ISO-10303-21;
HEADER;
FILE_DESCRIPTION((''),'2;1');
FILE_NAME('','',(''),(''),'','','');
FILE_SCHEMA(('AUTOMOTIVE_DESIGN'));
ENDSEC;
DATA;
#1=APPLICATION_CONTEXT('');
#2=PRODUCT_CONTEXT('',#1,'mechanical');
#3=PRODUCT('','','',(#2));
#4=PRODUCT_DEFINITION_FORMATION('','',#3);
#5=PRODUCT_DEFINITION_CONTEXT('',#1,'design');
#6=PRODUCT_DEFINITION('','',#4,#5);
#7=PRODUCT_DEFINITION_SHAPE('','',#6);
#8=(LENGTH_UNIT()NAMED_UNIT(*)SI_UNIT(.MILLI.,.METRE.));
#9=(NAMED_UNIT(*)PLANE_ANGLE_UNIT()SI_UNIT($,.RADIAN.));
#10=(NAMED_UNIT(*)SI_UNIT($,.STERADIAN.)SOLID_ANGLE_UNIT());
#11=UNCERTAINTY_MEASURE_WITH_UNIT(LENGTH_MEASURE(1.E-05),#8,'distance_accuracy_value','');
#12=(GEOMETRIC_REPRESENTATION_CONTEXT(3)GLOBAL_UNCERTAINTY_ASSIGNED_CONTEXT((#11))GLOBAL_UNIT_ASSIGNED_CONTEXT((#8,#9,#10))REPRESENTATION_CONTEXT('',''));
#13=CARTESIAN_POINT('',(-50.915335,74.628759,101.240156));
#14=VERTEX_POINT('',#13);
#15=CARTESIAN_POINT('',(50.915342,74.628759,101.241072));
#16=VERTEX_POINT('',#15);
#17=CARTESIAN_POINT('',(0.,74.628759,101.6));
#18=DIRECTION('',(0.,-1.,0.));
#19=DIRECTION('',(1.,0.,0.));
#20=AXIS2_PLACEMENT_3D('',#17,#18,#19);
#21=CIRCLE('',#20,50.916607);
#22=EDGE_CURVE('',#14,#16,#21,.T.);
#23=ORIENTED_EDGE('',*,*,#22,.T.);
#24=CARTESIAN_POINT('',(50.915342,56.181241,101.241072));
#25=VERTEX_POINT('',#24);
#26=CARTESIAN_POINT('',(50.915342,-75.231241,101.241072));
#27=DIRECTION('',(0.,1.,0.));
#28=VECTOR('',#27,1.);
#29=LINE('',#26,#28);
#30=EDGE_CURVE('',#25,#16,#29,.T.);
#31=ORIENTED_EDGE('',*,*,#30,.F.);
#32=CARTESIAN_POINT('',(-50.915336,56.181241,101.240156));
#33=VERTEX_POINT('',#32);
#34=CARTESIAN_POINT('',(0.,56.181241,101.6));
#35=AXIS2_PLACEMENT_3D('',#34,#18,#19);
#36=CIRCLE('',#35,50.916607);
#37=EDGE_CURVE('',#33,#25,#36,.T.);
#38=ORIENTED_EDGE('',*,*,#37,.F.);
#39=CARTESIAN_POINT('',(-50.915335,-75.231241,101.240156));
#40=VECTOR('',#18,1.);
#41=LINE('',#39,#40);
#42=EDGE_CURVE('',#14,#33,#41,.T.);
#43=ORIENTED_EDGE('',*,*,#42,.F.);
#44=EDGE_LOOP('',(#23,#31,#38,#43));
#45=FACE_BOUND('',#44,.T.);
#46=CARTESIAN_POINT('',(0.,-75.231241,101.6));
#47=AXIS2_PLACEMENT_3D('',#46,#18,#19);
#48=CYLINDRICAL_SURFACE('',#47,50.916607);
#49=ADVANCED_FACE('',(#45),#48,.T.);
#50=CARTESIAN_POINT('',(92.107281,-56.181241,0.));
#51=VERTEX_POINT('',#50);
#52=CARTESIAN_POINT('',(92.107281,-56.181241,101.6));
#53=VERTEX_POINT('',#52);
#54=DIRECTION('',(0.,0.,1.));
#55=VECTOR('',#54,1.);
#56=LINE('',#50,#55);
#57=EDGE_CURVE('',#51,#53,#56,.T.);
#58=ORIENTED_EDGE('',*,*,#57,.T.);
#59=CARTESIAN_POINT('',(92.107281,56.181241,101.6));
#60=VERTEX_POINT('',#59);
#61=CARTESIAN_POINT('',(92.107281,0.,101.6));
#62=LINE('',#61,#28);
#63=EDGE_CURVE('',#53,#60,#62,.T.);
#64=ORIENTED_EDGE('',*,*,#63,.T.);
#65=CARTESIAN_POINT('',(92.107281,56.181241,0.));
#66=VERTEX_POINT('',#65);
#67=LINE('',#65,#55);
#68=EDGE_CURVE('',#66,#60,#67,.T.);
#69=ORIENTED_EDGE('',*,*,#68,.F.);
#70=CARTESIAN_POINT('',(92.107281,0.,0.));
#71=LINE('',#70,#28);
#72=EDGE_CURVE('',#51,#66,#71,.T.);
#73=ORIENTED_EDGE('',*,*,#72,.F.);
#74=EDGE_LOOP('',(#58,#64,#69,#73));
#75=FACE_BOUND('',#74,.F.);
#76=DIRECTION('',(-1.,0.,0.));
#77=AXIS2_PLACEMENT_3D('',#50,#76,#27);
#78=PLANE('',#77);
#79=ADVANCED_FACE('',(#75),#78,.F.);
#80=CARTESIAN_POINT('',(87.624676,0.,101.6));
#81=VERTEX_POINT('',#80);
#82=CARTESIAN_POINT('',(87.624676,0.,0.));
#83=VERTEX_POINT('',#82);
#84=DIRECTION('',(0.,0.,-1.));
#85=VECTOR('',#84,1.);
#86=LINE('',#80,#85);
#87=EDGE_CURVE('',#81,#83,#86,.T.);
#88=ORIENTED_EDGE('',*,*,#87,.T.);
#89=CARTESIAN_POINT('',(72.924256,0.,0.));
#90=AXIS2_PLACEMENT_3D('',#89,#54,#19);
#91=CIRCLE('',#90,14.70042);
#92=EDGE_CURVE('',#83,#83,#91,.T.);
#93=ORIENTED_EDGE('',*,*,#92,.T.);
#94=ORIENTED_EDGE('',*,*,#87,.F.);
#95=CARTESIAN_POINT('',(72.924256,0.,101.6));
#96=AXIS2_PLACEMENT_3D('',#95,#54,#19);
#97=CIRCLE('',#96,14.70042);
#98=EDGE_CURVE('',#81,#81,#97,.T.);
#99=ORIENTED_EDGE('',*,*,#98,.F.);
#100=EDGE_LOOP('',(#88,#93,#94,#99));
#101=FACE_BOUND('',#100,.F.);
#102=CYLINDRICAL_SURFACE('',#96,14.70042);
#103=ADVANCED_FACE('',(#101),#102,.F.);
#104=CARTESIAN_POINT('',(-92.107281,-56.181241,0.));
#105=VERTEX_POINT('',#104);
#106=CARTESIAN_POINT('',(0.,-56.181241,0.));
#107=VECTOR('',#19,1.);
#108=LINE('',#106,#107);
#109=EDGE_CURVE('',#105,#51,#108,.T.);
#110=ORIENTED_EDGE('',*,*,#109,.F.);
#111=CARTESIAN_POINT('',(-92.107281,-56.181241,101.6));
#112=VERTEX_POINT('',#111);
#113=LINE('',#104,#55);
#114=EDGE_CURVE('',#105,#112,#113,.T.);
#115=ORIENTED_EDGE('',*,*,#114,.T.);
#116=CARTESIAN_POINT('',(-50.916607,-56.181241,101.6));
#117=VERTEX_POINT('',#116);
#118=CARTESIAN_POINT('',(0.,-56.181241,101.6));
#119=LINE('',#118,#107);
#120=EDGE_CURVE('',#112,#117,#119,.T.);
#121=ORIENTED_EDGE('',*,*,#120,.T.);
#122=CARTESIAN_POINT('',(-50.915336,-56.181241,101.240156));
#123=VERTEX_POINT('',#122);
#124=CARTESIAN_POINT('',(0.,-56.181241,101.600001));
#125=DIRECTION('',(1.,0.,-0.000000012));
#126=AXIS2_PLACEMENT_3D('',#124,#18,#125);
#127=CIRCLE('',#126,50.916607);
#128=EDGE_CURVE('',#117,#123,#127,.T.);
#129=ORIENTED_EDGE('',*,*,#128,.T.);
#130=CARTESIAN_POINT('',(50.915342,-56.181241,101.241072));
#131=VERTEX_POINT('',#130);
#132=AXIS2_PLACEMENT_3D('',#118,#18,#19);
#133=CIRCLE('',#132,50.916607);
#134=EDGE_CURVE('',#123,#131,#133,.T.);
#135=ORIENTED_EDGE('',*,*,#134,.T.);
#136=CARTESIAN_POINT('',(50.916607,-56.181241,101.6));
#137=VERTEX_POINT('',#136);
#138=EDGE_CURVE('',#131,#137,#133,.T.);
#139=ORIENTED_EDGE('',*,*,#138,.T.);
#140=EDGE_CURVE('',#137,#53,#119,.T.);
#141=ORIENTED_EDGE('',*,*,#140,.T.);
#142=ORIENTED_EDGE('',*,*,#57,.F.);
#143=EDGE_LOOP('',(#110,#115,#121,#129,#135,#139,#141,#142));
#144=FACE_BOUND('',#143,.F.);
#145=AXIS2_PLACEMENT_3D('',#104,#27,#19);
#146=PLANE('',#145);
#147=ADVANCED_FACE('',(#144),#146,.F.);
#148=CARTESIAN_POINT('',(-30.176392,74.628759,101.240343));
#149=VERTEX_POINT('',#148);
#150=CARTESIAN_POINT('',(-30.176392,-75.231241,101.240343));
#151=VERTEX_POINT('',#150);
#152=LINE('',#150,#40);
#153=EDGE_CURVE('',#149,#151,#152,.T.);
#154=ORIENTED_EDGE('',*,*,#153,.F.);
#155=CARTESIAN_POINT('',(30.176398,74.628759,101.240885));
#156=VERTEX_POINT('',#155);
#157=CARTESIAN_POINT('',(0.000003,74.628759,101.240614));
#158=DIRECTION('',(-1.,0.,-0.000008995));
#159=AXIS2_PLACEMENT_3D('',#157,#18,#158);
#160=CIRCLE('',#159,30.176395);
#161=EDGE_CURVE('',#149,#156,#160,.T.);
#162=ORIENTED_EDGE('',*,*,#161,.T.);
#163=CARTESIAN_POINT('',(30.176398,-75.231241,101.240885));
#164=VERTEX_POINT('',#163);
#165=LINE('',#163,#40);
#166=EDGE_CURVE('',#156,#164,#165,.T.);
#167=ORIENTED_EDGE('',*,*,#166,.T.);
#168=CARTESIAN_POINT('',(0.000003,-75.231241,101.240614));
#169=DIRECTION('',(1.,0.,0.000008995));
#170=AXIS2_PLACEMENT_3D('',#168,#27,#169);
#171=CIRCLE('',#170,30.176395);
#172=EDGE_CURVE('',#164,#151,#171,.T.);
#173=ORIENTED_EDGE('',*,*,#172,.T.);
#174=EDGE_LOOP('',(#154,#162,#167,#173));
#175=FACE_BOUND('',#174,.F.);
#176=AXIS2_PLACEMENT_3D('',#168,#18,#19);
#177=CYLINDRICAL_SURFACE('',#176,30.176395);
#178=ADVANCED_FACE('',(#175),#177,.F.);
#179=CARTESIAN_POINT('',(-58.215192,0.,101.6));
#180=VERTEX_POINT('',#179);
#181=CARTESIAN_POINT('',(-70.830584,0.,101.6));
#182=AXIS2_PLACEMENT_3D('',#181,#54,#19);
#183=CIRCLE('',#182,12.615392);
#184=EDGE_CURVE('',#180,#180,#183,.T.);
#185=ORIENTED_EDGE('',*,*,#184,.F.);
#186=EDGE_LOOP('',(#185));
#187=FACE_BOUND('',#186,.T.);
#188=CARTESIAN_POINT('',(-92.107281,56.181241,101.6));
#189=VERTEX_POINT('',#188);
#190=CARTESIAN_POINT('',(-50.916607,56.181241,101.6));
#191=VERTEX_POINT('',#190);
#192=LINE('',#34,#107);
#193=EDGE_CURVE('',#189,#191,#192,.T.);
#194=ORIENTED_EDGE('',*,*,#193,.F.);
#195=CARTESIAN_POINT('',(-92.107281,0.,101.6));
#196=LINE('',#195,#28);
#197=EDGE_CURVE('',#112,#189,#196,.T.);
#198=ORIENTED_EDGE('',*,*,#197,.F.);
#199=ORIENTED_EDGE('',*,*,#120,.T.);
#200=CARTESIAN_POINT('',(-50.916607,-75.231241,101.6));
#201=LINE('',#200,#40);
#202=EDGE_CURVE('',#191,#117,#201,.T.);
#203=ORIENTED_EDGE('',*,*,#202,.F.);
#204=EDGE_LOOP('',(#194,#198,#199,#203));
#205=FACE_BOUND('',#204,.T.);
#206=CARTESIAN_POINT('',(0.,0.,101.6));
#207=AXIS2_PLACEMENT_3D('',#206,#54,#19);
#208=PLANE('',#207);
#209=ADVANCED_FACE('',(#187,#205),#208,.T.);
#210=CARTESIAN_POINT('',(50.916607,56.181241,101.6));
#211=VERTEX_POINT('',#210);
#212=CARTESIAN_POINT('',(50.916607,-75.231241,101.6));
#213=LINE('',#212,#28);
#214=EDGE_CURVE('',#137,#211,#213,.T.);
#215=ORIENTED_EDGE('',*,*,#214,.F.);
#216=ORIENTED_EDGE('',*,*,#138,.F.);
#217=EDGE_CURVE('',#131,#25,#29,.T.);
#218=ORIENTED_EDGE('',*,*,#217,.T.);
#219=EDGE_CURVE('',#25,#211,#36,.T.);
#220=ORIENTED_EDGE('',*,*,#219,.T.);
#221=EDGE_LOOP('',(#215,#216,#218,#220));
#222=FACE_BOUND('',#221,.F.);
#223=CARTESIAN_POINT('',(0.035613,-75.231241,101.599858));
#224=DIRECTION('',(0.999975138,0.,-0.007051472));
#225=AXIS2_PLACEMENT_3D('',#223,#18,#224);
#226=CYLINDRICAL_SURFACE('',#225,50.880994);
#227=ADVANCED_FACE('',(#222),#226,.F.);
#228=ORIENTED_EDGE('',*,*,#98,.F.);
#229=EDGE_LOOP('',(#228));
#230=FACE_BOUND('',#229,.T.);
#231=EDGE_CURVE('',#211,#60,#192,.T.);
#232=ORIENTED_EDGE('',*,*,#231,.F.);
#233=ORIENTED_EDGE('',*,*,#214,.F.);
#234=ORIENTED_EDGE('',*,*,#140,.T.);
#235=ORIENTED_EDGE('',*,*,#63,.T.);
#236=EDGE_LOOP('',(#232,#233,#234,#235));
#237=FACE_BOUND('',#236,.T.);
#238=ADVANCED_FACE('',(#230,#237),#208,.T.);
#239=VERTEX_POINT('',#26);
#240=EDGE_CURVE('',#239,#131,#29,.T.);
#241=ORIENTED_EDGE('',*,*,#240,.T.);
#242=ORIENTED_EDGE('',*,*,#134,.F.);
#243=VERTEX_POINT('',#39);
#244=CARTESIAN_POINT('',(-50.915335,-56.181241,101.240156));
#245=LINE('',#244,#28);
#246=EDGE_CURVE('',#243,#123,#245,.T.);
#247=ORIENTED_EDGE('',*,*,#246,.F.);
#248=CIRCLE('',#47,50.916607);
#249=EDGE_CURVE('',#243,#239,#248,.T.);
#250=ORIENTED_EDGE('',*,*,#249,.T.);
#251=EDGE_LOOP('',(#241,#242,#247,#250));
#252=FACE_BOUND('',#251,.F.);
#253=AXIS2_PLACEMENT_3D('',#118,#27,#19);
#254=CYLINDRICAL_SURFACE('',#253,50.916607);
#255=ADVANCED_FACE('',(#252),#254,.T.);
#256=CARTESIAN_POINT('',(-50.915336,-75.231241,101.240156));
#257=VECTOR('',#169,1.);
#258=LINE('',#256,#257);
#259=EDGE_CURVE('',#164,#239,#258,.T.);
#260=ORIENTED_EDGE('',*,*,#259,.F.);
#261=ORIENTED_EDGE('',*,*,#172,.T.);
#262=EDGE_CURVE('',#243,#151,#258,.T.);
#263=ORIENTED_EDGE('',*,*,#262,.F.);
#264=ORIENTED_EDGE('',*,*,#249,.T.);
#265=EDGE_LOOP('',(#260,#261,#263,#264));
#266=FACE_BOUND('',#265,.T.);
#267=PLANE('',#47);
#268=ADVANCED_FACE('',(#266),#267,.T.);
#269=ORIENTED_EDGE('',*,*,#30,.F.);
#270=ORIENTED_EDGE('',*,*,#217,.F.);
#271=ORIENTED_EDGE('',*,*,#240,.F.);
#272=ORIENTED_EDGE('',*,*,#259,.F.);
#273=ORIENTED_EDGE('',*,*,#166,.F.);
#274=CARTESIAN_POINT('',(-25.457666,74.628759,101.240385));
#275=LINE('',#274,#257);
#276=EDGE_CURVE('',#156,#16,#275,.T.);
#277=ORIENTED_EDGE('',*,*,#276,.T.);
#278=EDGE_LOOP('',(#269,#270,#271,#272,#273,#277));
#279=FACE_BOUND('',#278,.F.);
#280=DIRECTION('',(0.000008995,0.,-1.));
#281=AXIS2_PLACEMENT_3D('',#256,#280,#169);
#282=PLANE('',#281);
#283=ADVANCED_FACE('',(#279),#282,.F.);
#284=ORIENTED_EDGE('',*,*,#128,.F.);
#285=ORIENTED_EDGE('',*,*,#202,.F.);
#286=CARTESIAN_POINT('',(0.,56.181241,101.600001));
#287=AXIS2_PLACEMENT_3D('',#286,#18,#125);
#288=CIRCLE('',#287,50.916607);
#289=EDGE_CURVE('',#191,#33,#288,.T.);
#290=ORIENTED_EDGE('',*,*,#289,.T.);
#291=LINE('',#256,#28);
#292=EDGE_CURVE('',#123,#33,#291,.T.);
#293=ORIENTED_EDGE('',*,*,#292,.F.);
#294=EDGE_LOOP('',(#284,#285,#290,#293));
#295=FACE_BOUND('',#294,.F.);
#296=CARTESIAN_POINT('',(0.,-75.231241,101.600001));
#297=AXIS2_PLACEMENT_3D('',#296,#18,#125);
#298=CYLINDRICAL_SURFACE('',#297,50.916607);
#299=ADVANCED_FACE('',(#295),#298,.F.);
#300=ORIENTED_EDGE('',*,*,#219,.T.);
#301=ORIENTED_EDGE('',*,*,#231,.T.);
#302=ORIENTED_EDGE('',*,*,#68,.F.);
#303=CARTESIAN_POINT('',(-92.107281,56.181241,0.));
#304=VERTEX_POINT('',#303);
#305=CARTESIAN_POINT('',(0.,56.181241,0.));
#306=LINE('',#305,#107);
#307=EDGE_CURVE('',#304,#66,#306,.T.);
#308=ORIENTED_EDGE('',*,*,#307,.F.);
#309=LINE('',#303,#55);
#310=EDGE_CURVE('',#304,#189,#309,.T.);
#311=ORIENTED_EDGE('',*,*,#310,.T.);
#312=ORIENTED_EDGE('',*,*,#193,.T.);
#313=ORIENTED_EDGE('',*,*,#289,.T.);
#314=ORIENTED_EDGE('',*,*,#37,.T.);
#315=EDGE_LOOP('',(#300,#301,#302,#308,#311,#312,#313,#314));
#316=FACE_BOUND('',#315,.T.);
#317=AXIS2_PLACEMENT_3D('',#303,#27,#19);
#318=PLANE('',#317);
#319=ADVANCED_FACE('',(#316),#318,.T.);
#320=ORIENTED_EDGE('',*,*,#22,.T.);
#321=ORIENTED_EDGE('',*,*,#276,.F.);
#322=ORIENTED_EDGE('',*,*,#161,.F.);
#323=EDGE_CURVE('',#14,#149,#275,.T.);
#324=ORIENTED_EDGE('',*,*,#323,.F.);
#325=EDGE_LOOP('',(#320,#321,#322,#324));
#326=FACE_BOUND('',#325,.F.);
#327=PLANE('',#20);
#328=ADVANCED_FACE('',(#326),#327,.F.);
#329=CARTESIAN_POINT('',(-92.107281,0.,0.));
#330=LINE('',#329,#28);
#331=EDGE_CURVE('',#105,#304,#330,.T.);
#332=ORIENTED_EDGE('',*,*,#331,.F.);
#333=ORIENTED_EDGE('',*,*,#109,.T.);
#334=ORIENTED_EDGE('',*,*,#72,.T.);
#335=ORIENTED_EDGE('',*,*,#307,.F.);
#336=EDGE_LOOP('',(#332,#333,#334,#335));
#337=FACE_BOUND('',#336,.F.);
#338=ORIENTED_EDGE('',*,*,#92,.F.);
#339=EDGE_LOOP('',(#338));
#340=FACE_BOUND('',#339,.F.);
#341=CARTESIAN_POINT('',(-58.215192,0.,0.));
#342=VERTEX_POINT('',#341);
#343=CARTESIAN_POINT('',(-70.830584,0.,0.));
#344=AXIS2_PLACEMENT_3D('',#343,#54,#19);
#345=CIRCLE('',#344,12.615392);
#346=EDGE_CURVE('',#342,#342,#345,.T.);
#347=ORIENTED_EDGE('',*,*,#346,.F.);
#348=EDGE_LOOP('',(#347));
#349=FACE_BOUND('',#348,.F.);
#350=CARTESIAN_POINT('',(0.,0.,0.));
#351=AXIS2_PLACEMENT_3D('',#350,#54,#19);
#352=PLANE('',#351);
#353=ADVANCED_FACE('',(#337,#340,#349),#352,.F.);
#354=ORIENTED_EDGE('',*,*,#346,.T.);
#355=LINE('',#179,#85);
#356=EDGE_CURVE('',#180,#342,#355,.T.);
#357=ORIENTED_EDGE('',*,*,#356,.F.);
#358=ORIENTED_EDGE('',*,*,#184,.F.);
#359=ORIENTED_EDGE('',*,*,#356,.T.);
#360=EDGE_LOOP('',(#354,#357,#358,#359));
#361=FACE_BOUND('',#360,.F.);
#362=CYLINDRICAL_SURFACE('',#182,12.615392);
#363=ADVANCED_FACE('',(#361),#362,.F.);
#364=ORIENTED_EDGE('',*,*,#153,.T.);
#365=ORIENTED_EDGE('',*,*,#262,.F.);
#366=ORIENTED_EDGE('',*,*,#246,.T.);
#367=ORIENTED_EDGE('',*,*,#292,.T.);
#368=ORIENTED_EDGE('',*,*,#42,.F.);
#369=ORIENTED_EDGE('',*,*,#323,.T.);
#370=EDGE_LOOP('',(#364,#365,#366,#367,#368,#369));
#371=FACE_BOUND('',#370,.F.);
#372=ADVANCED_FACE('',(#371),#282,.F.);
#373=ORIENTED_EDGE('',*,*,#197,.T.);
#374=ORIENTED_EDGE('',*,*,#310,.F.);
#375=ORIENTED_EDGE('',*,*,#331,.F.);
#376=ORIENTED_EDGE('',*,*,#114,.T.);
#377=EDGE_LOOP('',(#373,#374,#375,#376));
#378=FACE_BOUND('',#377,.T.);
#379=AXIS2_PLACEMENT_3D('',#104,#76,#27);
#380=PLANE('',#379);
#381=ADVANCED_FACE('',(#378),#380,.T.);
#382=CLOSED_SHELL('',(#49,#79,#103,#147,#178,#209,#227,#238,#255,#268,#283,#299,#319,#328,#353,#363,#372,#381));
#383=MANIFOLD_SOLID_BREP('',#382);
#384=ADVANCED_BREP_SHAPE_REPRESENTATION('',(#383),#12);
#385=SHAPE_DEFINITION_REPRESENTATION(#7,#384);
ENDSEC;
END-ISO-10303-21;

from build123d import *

# Parameters (mm, degrees)
F0_W      = 184.214562
F0_H      = 112.362482
F1_DEPTH  = 101.6
F2_R      = 50.916607
F3_DEPTH  = 19.05
F3_FACE_R = 50.916607
F4_DEPTH  = 149.86
F6_DEPTH  = 330.2
F7_R      = 12.615392
F7_R_2    = 14.70042
F8_DEPTH  = 254
F9_R      = 30.176395
F10_DEPTH = 381


with BuildPart() as f1:
    # F0 (on Top) → F1 (new body)
    with BuildSketch(Plane.XY):
        Rectangle(F0_W, F0_H)
    extrude(amount=F1_DEPTH)

    # F2 (on face) → F3 (join)
    with BuildSketch(Plane.XZ.offset(56.181241)):
        with Locations((0, 101.6)):
            Circle(F2_R)
    extrude(amount=F3_DEPTH)

    # F3_face (on face) → F4 (join)
    with BuildSketch(Plane(origin=(0, -75.231241, 101.6), x_dir=(1, 0, 0), z_dir=(0, -1, 0))):
        Circle(F3_FACE_R)
    extrude(amount=-F4_DEPTH)

    # F5 (on face) → F6 (cut)
    with BuildSketch(Plane.XZ.offset(75.231241)):
        with BuildLine():
            Line((-50.915336, 101.240156), (50.915342, 101.241072))
            ThreePointArc((50.915342, 101.241072), (50.916291, 101.420535), (50.916607, 101.6))
            ThreePointArc((50.916607, 101.6), (-0.179923, 152.51629), (-50.915336, 101.240156))
        make_face()
    extrude(amount=-F6_DEPTH, mode=Mode.SUBTRACT)

    # F7 (on face) → F8 (cut)
    with BuildSketch(Plane.XY.offset(101.6)):
        with Locations((-70.830584, 0)):
            Circle(F7_R)
        with Locations((72.924256, 0)):
            Circle(F7_R_2)
    extrude(amount=-F8_DEPTH, mode=Mode.SUBTRACT)

    # F9 (on face) → F10 (cut)
    with BuildSketch(Plane.XZ.offset(75.231241)):
        with Locations((3e-06, 101.240614)):
            Circle(F9_R)
    extrude(amount=-F10_DEPTH, mode=Mode.SUBTRACT)


solid = f1.part
